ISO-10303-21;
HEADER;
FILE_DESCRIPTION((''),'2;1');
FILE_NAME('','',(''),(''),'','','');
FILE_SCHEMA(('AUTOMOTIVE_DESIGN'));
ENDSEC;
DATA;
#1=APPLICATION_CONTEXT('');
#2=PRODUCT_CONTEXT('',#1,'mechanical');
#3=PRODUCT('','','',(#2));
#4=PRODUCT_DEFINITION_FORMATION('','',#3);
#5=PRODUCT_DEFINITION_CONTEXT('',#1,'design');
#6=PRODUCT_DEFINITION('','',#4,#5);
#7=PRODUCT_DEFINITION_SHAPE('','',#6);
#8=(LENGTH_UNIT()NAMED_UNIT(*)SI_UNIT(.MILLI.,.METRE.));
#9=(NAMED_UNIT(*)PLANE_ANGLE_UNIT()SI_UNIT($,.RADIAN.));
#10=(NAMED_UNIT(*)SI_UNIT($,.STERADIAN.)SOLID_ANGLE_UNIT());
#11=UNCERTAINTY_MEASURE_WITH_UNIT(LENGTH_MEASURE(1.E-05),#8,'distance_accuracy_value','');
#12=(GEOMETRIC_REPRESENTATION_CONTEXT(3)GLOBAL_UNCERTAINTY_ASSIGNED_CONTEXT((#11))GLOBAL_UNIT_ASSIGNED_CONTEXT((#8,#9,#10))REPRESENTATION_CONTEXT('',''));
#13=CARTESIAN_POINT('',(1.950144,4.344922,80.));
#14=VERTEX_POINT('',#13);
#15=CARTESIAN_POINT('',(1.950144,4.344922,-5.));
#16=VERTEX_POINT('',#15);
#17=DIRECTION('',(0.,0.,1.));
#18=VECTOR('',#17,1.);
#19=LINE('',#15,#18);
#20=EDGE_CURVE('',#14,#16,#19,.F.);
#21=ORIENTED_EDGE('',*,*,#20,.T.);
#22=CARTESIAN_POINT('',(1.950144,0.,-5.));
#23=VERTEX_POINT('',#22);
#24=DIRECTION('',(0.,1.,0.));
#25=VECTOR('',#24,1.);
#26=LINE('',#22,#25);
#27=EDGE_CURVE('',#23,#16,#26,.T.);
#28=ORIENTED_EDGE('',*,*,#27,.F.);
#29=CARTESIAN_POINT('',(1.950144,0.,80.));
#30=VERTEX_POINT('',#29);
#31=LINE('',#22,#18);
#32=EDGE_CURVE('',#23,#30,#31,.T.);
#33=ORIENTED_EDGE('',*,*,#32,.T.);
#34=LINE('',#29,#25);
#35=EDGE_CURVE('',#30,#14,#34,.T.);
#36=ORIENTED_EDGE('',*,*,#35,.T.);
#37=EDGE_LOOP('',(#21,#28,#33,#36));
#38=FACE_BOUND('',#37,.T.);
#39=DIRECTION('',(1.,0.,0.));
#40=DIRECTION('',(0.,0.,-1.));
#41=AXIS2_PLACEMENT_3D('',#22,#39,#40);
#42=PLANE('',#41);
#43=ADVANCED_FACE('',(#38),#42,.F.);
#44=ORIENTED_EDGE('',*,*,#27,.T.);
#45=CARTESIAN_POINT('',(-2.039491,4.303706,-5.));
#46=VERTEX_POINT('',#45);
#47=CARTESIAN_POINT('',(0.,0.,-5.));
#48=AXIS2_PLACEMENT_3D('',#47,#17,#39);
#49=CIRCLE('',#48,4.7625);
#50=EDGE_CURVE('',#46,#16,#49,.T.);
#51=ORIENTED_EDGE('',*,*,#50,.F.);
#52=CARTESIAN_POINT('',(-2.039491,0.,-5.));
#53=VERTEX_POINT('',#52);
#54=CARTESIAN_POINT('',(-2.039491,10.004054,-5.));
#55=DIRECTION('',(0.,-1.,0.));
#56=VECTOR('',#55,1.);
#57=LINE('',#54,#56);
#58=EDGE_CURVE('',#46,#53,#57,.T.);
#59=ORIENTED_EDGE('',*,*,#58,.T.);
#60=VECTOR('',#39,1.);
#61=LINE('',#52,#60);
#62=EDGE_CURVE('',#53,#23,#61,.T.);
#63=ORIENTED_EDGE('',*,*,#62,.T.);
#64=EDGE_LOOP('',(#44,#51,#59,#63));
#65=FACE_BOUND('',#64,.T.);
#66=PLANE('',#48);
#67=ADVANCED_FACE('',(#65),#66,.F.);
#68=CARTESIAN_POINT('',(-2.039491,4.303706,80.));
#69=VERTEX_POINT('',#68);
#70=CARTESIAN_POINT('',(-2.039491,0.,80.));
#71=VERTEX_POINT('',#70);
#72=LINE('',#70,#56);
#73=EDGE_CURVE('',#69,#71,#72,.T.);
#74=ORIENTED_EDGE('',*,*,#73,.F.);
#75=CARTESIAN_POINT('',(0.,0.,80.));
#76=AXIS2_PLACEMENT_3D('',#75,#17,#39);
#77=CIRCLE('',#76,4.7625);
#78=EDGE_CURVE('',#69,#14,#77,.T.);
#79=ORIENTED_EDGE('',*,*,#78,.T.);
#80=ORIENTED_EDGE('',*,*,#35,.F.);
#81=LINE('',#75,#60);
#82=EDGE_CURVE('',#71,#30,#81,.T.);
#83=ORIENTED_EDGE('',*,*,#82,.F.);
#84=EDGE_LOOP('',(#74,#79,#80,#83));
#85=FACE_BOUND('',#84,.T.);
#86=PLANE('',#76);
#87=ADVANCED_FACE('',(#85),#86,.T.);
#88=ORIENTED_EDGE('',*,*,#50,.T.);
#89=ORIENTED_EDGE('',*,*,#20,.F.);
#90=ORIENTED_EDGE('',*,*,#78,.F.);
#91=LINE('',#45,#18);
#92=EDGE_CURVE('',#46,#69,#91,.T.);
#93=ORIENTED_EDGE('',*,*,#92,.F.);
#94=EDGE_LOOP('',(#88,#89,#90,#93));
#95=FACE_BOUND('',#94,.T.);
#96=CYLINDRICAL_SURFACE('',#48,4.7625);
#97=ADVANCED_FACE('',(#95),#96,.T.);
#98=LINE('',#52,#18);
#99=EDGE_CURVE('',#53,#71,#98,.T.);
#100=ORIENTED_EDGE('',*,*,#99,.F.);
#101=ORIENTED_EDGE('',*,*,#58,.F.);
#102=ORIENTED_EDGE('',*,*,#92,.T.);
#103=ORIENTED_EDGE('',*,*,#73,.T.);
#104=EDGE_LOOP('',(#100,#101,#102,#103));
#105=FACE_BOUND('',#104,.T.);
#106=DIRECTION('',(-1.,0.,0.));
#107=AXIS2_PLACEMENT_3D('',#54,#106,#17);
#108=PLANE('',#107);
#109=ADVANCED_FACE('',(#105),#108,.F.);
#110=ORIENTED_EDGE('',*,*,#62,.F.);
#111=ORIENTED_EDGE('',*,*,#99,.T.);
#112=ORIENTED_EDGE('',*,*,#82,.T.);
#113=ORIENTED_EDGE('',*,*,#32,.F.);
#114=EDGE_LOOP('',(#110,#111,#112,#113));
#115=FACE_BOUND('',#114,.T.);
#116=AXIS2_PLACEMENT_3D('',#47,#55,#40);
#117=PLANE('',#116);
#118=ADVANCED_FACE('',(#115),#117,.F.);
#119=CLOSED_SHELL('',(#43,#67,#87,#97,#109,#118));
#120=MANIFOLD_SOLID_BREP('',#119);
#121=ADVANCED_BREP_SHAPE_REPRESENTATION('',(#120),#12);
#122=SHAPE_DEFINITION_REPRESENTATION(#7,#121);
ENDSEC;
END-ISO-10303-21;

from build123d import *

# Parameters (mm, degrees)
BOSS_EXTRUDE1_DEPTH      = 80
BOSS_EXTRUDE1_DEPTH_BACK = 5
SKETCH1_R                = 4.7625
CUT_EXTRUDE2_DEPTH       = 85


with BuildPart() as part:
    # Sketch1 → Boss-Extrude1 (new, two sides: drawn at the far end of the back side and taken through both)
    with BuildSketch(Plane.XY.offset(-BOSS_EXTRUDE1_DEPTH_BACK)):
        Circle(SKETCH1_R)
    extrude(amount=BOSS_EXTRUDE1_DEPTH + BOSS_EXTRUDE1_DEPTH_BACK)

    # Sketch2 → Cut-Extrude2 (cut)
    with BuildSketch(Plane.XY.offset(80)):
        Polygon((0, 0), (1.950143724, 0), (1.950143724, 10.004054158), (-2.03949083, 10.004054158), (-2.03949083, 0), align=None)
    extrude(amount=-CUT_EXTRUDE2_DEPTH, mode=Mode.SUBTRACT)


solid = part.part
